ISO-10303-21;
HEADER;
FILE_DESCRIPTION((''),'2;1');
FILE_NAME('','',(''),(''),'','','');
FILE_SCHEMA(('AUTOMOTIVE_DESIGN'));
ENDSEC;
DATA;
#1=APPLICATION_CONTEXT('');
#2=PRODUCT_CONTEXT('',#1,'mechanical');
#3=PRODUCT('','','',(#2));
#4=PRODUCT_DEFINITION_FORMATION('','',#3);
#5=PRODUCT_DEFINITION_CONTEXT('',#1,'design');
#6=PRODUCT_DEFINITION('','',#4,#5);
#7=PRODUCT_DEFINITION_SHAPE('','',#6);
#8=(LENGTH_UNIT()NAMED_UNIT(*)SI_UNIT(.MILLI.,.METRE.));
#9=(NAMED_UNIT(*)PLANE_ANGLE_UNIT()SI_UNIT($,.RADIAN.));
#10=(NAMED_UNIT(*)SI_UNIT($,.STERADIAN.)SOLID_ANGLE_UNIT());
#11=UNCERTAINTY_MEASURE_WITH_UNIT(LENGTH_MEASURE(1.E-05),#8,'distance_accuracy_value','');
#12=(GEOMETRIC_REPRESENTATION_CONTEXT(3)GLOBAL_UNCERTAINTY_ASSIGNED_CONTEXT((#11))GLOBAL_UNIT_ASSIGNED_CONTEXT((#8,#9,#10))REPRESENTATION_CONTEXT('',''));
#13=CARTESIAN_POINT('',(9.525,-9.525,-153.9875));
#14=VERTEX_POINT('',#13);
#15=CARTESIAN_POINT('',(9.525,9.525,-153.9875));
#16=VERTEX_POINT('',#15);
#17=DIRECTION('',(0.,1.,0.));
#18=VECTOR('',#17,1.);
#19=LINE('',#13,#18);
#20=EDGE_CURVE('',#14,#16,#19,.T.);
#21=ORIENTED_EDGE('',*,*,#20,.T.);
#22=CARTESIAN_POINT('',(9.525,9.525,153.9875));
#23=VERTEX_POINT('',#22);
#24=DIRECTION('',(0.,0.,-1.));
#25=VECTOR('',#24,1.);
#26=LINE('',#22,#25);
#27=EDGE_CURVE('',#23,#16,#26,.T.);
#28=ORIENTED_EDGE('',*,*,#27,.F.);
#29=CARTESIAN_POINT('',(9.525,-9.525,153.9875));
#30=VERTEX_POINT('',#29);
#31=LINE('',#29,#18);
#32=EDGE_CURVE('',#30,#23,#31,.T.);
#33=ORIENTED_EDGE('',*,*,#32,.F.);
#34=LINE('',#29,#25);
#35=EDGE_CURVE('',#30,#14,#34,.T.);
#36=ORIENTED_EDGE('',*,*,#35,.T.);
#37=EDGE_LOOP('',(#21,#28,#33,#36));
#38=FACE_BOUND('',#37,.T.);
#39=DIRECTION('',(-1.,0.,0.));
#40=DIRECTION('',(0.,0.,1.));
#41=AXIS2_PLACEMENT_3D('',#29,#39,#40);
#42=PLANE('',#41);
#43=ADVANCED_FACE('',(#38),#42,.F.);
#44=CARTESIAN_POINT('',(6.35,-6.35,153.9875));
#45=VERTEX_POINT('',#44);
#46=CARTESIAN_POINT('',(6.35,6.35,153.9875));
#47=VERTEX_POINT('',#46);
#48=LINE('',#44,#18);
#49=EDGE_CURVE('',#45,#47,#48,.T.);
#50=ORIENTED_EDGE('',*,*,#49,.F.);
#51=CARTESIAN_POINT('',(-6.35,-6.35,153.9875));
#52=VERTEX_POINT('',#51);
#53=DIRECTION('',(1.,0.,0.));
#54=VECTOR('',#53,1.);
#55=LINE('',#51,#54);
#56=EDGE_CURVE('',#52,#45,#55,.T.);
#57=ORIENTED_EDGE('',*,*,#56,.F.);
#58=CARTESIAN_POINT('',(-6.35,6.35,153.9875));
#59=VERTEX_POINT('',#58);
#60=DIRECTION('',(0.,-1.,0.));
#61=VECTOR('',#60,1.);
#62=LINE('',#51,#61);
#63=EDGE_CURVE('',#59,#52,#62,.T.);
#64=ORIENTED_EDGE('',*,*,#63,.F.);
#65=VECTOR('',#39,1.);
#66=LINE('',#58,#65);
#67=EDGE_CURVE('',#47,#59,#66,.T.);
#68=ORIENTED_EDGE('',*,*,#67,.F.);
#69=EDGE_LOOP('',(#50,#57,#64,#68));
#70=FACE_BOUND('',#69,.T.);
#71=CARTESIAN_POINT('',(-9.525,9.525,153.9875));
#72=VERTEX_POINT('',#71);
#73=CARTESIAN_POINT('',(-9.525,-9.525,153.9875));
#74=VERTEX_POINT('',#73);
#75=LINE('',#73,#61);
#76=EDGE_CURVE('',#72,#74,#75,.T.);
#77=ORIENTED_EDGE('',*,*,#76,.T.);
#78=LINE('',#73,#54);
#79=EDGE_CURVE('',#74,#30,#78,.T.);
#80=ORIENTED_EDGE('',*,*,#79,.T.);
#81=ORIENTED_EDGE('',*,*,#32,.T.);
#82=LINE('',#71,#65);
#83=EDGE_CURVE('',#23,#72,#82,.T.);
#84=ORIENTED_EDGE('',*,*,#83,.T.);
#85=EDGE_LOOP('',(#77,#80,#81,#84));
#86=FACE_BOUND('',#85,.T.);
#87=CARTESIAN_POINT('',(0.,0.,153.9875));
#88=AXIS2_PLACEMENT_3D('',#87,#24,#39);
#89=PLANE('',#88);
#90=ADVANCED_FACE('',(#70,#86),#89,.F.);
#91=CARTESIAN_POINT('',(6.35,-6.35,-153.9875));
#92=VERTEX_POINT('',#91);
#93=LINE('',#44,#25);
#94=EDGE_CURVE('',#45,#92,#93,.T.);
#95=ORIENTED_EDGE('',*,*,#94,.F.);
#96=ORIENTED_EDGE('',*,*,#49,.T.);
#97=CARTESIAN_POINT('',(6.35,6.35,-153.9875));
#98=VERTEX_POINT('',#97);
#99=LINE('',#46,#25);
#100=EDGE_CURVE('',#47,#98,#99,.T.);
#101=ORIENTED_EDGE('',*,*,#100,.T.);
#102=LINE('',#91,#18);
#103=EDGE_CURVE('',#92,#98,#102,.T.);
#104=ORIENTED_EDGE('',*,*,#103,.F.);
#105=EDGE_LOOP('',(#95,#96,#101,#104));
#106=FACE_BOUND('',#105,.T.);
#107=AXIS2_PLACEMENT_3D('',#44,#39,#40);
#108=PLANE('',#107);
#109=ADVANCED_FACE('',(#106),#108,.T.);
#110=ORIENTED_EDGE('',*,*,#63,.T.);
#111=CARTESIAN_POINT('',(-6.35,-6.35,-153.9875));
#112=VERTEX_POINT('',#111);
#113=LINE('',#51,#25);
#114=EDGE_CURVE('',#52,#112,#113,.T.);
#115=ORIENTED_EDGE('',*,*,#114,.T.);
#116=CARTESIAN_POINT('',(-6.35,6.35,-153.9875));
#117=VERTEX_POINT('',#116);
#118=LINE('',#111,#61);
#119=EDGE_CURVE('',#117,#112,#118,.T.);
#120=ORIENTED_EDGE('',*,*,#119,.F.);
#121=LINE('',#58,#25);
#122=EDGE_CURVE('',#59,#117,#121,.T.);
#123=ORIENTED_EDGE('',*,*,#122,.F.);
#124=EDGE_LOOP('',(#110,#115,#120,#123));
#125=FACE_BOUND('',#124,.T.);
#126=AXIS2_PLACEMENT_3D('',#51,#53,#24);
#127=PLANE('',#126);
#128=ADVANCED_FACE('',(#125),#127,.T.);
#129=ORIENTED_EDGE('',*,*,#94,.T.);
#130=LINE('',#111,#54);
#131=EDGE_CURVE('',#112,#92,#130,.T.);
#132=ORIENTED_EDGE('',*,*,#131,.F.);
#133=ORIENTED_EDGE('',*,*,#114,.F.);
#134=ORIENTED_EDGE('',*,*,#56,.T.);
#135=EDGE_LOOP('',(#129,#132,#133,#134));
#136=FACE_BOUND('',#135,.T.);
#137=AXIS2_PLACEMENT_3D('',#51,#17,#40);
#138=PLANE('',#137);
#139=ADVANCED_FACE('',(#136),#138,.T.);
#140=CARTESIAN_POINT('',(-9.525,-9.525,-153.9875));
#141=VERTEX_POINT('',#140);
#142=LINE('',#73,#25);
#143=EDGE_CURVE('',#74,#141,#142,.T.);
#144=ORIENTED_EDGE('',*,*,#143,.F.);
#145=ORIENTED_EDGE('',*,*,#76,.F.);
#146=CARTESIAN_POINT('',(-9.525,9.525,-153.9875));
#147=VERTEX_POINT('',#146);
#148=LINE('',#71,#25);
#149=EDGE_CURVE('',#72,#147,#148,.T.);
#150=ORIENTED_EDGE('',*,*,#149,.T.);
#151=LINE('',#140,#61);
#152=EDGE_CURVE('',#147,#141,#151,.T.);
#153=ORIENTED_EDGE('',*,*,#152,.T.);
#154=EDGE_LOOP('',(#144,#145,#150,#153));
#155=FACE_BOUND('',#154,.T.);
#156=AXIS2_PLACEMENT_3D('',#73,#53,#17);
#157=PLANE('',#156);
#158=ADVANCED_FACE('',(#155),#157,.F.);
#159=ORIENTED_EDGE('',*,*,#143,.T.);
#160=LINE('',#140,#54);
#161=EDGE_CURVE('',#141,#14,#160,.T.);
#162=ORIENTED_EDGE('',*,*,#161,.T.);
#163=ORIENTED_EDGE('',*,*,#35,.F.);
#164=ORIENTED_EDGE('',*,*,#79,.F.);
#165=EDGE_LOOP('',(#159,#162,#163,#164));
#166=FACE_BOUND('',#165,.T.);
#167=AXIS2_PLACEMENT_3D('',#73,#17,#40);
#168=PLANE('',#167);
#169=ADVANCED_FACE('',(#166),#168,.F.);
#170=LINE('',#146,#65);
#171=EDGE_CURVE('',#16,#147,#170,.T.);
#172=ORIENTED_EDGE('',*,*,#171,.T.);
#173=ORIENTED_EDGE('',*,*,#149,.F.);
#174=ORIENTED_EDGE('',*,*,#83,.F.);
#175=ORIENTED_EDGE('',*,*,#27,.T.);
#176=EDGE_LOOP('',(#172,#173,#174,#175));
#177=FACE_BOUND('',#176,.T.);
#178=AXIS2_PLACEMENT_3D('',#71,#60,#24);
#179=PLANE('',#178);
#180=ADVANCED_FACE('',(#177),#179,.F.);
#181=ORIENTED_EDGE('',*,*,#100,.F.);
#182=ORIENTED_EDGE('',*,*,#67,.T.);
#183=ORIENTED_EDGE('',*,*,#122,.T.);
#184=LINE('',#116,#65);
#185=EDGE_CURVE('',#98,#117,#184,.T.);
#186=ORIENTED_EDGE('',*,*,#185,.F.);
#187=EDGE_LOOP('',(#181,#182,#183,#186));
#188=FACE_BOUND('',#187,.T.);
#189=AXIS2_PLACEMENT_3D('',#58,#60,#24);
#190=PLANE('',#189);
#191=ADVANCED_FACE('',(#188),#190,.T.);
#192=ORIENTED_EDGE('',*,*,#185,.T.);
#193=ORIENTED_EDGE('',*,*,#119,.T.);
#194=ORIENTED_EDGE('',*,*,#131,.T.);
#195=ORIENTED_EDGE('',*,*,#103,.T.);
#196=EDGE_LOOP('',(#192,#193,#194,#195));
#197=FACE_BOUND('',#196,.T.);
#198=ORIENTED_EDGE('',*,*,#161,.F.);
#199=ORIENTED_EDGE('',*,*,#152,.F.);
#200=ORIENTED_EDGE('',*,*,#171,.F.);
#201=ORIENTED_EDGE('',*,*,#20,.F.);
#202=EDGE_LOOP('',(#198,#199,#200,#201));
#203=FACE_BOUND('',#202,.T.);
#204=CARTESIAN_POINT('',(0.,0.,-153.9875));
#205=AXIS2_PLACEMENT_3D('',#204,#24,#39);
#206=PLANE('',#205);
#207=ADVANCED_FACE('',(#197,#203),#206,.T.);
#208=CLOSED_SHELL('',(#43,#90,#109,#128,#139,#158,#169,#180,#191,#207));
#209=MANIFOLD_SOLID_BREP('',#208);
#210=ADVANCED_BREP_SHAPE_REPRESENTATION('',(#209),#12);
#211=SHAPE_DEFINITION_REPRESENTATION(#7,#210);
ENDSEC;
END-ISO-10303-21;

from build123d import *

# Parameters (mm, degrees)
SKETCH1_W           = 19.05
SKETCH1_H           = 19.05
SKETCH1_W_2         = 12.7
SKETCH1_H_2         = 12.7
BOSS_EXTRUDE1_DEPTH = 153.9875


with BuildPart() as part:
    # Sketch1 → Boss-Extrude1 (new, symmetric)
    with BuildSketch(Plane.XY):
        Rectangle(SKETCH1_W, SKETCH1_H)
        Rectangle(SKETCH1_W_2, SKETCH1_H_2, mode=Mode.SUBTRACT)
    extrude(amount=BOSS_EXTRUDE1_DEPTH, both=True)


solid = part.part
